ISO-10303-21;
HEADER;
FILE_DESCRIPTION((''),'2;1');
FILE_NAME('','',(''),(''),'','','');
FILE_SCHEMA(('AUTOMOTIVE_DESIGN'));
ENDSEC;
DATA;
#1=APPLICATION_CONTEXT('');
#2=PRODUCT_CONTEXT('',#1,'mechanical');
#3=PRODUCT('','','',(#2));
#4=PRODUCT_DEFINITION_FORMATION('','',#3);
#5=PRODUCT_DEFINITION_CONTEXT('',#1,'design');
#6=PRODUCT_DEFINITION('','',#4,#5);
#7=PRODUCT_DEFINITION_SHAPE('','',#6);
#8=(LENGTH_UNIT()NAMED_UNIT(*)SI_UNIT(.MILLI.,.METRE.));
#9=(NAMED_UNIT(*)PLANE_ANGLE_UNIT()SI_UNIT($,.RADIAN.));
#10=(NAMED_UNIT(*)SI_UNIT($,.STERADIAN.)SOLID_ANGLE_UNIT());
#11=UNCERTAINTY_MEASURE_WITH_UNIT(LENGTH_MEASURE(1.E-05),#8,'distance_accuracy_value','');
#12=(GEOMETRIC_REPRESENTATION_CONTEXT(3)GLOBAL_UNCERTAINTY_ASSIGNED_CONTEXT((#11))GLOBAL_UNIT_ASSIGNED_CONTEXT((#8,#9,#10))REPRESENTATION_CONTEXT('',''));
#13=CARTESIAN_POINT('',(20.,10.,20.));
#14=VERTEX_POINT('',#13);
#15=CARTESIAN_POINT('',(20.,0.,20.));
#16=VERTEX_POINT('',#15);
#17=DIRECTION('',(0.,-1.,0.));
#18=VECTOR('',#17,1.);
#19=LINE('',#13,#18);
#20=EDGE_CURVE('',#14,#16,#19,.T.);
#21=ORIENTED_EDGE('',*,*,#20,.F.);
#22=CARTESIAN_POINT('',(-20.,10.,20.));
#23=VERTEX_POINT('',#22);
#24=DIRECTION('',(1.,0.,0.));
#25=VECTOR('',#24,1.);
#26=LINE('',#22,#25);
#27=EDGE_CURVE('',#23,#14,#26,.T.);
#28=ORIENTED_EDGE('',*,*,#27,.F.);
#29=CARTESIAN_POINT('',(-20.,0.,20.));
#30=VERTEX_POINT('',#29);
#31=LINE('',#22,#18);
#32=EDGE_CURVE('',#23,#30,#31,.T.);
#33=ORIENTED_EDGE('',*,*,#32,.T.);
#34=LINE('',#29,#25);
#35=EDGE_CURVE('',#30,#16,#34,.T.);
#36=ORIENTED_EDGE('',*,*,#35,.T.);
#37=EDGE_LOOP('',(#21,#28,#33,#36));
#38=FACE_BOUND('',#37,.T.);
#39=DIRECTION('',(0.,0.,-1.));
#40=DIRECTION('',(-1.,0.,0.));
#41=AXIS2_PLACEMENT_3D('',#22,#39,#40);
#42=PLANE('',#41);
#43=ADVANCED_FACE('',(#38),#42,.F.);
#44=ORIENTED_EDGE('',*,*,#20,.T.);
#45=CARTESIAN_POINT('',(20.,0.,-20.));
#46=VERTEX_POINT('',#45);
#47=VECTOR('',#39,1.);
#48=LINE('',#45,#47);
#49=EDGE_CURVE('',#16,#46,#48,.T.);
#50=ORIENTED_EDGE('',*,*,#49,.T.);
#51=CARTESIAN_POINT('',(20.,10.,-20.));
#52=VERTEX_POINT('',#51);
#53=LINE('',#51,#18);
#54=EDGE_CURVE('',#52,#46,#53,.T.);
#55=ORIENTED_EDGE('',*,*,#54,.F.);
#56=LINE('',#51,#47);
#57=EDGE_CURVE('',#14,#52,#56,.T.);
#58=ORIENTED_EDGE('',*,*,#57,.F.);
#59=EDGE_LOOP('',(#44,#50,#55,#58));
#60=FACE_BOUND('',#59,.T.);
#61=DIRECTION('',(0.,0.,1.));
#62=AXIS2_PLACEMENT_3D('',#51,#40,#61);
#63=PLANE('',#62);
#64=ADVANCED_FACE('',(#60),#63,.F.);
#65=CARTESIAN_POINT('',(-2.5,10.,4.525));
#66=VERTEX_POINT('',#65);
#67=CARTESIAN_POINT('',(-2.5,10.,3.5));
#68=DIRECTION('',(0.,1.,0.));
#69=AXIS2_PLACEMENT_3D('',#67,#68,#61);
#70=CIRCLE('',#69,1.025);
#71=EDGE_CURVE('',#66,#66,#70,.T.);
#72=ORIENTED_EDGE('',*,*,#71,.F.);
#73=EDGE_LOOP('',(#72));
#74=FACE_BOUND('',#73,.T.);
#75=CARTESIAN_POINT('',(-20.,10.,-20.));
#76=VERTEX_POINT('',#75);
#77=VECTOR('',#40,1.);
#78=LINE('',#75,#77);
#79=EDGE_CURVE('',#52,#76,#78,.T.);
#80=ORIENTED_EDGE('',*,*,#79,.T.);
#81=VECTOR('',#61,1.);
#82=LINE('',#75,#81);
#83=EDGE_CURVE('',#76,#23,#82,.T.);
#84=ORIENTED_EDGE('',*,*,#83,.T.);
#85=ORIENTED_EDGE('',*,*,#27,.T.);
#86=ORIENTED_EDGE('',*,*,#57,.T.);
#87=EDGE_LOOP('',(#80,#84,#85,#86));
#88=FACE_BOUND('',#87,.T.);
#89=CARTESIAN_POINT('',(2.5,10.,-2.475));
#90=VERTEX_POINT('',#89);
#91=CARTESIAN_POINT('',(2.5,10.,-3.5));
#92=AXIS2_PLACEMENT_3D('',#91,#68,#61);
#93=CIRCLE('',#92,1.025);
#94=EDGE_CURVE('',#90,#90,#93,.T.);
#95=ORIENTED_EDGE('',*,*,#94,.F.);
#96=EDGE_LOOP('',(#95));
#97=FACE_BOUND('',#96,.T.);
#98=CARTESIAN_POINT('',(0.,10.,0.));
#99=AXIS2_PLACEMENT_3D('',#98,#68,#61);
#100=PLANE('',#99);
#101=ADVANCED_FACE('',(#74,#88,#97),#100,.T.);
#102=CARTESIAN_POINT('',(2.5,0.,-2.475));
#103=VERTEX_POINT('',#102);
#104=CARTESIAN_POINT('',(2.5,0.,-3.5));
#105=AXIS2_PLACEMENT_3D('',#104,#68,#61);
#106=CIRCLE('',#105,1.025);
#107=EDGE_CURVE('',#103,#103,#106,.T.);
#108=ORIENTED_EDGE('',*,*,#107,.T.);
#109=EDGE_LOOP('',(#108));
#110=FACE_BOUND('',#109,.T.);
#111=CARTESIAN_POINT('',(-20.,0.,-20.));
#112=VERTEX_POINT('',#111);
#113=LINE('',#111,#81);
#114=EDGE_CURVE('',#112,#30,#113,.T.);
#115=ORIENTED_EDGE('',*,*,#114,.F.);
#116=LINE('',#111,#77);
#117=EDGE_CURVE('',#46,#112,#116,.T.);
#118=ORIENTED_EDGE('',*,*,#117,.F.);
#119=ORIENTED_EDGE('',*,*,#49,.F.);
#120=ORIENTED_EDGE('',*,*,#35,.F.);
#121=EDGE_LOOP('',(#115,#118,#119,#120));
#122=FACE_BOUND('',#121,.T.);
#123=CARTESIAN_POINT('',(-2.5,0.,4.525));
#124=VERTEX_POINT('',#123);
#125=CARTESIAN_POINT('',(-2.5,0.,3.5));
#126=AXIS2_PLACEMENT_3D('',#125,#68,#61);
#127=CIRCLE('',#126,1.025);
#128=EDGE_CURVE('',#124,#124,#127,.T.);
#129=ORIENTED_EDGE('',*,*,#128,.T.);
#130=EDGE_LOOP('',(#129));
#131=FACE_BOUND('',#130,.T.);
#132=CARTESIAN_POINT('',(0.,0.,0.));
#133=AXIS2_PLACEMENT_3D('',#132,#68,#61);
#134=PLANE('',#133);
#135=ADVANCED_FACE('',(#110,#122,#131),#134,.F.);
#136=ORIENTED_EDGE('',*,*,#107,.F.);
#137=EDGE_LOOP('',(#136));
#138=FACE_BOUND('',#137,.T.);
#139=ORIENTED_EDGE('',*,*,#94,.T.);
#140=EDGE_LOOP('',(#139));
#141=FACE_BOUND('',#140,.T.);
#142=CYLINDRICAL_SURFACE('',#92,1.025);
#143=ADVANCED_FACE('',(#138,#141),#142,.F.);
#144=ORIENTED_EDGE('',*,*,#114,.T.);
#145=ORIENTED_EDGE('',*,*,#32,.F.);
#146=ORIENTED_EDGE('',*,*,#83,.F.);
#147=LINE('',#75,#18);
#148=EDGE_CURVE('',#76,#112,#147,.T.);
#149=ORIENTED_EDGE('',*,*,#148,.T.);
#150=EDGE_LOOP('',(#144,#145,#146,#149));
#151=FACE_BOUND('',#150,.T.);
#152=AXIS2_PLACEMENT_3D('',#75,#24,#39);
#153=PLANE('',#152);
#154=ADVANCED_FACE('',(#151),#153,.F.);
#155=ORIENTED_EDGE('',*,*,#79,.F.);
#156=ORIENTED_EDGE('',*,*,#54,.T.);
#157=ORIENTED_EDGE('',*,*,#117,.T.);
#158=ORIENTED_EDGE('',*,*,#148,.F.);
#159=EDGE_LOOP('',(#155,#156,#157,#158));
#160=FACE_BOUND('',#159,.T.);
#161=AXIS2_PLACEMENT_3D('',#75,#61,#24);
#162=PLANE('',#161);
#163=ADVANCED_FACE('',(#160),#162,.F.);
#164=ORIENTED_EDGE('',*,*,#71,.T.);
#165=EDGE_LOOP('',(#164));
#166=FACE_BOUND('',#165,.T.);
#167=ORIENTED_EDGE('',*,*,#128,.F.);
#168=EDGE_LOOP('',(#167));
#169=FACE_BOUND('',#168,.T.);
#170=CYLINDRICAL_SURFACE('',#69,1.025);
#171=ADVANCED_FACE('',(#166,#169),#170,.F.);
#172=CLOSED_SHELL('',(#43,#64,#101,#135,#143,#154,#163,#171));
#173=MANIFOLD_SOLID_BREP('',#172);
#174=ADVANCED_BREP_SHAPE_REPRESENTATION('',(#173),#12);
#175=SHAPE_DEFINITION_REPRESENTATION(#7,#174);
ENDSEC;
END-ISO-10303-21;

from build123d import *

# Parameters (mm, degrees)
SKETCH1_W           = 40
SKETCH1_H           = 40
BOSS_EXTRUDE1_DEPTH = 10
M2_5_TAPPED_HOLE1_D = 2.05


with BuildPart() as part:
    # Sketch1 → Boss-Extrude1 (new body)
    with BuildSketch(Plane(origin=(0, 0, 0), x_dir=(1, 0, 0), z_dir=(0, 1, 0))):
        Rectangle(SKETCH1_W, SKETCH1_H)
    extrude(amount=BOSS_EXTRUDE1_DEPTH)

    # M2.5 Tapped Hole1 (through all)
    with Locations(Plane(origin=(0, 10, 0), x_dir=(1, 0, 0), z_dir=(0, 1, 0))):
        with Locations((-2.5, -3.5), (2.5, 3.5)):
            Hole(M2_5_TAPPED_HOLE1_D / 2)


solid = part.part
